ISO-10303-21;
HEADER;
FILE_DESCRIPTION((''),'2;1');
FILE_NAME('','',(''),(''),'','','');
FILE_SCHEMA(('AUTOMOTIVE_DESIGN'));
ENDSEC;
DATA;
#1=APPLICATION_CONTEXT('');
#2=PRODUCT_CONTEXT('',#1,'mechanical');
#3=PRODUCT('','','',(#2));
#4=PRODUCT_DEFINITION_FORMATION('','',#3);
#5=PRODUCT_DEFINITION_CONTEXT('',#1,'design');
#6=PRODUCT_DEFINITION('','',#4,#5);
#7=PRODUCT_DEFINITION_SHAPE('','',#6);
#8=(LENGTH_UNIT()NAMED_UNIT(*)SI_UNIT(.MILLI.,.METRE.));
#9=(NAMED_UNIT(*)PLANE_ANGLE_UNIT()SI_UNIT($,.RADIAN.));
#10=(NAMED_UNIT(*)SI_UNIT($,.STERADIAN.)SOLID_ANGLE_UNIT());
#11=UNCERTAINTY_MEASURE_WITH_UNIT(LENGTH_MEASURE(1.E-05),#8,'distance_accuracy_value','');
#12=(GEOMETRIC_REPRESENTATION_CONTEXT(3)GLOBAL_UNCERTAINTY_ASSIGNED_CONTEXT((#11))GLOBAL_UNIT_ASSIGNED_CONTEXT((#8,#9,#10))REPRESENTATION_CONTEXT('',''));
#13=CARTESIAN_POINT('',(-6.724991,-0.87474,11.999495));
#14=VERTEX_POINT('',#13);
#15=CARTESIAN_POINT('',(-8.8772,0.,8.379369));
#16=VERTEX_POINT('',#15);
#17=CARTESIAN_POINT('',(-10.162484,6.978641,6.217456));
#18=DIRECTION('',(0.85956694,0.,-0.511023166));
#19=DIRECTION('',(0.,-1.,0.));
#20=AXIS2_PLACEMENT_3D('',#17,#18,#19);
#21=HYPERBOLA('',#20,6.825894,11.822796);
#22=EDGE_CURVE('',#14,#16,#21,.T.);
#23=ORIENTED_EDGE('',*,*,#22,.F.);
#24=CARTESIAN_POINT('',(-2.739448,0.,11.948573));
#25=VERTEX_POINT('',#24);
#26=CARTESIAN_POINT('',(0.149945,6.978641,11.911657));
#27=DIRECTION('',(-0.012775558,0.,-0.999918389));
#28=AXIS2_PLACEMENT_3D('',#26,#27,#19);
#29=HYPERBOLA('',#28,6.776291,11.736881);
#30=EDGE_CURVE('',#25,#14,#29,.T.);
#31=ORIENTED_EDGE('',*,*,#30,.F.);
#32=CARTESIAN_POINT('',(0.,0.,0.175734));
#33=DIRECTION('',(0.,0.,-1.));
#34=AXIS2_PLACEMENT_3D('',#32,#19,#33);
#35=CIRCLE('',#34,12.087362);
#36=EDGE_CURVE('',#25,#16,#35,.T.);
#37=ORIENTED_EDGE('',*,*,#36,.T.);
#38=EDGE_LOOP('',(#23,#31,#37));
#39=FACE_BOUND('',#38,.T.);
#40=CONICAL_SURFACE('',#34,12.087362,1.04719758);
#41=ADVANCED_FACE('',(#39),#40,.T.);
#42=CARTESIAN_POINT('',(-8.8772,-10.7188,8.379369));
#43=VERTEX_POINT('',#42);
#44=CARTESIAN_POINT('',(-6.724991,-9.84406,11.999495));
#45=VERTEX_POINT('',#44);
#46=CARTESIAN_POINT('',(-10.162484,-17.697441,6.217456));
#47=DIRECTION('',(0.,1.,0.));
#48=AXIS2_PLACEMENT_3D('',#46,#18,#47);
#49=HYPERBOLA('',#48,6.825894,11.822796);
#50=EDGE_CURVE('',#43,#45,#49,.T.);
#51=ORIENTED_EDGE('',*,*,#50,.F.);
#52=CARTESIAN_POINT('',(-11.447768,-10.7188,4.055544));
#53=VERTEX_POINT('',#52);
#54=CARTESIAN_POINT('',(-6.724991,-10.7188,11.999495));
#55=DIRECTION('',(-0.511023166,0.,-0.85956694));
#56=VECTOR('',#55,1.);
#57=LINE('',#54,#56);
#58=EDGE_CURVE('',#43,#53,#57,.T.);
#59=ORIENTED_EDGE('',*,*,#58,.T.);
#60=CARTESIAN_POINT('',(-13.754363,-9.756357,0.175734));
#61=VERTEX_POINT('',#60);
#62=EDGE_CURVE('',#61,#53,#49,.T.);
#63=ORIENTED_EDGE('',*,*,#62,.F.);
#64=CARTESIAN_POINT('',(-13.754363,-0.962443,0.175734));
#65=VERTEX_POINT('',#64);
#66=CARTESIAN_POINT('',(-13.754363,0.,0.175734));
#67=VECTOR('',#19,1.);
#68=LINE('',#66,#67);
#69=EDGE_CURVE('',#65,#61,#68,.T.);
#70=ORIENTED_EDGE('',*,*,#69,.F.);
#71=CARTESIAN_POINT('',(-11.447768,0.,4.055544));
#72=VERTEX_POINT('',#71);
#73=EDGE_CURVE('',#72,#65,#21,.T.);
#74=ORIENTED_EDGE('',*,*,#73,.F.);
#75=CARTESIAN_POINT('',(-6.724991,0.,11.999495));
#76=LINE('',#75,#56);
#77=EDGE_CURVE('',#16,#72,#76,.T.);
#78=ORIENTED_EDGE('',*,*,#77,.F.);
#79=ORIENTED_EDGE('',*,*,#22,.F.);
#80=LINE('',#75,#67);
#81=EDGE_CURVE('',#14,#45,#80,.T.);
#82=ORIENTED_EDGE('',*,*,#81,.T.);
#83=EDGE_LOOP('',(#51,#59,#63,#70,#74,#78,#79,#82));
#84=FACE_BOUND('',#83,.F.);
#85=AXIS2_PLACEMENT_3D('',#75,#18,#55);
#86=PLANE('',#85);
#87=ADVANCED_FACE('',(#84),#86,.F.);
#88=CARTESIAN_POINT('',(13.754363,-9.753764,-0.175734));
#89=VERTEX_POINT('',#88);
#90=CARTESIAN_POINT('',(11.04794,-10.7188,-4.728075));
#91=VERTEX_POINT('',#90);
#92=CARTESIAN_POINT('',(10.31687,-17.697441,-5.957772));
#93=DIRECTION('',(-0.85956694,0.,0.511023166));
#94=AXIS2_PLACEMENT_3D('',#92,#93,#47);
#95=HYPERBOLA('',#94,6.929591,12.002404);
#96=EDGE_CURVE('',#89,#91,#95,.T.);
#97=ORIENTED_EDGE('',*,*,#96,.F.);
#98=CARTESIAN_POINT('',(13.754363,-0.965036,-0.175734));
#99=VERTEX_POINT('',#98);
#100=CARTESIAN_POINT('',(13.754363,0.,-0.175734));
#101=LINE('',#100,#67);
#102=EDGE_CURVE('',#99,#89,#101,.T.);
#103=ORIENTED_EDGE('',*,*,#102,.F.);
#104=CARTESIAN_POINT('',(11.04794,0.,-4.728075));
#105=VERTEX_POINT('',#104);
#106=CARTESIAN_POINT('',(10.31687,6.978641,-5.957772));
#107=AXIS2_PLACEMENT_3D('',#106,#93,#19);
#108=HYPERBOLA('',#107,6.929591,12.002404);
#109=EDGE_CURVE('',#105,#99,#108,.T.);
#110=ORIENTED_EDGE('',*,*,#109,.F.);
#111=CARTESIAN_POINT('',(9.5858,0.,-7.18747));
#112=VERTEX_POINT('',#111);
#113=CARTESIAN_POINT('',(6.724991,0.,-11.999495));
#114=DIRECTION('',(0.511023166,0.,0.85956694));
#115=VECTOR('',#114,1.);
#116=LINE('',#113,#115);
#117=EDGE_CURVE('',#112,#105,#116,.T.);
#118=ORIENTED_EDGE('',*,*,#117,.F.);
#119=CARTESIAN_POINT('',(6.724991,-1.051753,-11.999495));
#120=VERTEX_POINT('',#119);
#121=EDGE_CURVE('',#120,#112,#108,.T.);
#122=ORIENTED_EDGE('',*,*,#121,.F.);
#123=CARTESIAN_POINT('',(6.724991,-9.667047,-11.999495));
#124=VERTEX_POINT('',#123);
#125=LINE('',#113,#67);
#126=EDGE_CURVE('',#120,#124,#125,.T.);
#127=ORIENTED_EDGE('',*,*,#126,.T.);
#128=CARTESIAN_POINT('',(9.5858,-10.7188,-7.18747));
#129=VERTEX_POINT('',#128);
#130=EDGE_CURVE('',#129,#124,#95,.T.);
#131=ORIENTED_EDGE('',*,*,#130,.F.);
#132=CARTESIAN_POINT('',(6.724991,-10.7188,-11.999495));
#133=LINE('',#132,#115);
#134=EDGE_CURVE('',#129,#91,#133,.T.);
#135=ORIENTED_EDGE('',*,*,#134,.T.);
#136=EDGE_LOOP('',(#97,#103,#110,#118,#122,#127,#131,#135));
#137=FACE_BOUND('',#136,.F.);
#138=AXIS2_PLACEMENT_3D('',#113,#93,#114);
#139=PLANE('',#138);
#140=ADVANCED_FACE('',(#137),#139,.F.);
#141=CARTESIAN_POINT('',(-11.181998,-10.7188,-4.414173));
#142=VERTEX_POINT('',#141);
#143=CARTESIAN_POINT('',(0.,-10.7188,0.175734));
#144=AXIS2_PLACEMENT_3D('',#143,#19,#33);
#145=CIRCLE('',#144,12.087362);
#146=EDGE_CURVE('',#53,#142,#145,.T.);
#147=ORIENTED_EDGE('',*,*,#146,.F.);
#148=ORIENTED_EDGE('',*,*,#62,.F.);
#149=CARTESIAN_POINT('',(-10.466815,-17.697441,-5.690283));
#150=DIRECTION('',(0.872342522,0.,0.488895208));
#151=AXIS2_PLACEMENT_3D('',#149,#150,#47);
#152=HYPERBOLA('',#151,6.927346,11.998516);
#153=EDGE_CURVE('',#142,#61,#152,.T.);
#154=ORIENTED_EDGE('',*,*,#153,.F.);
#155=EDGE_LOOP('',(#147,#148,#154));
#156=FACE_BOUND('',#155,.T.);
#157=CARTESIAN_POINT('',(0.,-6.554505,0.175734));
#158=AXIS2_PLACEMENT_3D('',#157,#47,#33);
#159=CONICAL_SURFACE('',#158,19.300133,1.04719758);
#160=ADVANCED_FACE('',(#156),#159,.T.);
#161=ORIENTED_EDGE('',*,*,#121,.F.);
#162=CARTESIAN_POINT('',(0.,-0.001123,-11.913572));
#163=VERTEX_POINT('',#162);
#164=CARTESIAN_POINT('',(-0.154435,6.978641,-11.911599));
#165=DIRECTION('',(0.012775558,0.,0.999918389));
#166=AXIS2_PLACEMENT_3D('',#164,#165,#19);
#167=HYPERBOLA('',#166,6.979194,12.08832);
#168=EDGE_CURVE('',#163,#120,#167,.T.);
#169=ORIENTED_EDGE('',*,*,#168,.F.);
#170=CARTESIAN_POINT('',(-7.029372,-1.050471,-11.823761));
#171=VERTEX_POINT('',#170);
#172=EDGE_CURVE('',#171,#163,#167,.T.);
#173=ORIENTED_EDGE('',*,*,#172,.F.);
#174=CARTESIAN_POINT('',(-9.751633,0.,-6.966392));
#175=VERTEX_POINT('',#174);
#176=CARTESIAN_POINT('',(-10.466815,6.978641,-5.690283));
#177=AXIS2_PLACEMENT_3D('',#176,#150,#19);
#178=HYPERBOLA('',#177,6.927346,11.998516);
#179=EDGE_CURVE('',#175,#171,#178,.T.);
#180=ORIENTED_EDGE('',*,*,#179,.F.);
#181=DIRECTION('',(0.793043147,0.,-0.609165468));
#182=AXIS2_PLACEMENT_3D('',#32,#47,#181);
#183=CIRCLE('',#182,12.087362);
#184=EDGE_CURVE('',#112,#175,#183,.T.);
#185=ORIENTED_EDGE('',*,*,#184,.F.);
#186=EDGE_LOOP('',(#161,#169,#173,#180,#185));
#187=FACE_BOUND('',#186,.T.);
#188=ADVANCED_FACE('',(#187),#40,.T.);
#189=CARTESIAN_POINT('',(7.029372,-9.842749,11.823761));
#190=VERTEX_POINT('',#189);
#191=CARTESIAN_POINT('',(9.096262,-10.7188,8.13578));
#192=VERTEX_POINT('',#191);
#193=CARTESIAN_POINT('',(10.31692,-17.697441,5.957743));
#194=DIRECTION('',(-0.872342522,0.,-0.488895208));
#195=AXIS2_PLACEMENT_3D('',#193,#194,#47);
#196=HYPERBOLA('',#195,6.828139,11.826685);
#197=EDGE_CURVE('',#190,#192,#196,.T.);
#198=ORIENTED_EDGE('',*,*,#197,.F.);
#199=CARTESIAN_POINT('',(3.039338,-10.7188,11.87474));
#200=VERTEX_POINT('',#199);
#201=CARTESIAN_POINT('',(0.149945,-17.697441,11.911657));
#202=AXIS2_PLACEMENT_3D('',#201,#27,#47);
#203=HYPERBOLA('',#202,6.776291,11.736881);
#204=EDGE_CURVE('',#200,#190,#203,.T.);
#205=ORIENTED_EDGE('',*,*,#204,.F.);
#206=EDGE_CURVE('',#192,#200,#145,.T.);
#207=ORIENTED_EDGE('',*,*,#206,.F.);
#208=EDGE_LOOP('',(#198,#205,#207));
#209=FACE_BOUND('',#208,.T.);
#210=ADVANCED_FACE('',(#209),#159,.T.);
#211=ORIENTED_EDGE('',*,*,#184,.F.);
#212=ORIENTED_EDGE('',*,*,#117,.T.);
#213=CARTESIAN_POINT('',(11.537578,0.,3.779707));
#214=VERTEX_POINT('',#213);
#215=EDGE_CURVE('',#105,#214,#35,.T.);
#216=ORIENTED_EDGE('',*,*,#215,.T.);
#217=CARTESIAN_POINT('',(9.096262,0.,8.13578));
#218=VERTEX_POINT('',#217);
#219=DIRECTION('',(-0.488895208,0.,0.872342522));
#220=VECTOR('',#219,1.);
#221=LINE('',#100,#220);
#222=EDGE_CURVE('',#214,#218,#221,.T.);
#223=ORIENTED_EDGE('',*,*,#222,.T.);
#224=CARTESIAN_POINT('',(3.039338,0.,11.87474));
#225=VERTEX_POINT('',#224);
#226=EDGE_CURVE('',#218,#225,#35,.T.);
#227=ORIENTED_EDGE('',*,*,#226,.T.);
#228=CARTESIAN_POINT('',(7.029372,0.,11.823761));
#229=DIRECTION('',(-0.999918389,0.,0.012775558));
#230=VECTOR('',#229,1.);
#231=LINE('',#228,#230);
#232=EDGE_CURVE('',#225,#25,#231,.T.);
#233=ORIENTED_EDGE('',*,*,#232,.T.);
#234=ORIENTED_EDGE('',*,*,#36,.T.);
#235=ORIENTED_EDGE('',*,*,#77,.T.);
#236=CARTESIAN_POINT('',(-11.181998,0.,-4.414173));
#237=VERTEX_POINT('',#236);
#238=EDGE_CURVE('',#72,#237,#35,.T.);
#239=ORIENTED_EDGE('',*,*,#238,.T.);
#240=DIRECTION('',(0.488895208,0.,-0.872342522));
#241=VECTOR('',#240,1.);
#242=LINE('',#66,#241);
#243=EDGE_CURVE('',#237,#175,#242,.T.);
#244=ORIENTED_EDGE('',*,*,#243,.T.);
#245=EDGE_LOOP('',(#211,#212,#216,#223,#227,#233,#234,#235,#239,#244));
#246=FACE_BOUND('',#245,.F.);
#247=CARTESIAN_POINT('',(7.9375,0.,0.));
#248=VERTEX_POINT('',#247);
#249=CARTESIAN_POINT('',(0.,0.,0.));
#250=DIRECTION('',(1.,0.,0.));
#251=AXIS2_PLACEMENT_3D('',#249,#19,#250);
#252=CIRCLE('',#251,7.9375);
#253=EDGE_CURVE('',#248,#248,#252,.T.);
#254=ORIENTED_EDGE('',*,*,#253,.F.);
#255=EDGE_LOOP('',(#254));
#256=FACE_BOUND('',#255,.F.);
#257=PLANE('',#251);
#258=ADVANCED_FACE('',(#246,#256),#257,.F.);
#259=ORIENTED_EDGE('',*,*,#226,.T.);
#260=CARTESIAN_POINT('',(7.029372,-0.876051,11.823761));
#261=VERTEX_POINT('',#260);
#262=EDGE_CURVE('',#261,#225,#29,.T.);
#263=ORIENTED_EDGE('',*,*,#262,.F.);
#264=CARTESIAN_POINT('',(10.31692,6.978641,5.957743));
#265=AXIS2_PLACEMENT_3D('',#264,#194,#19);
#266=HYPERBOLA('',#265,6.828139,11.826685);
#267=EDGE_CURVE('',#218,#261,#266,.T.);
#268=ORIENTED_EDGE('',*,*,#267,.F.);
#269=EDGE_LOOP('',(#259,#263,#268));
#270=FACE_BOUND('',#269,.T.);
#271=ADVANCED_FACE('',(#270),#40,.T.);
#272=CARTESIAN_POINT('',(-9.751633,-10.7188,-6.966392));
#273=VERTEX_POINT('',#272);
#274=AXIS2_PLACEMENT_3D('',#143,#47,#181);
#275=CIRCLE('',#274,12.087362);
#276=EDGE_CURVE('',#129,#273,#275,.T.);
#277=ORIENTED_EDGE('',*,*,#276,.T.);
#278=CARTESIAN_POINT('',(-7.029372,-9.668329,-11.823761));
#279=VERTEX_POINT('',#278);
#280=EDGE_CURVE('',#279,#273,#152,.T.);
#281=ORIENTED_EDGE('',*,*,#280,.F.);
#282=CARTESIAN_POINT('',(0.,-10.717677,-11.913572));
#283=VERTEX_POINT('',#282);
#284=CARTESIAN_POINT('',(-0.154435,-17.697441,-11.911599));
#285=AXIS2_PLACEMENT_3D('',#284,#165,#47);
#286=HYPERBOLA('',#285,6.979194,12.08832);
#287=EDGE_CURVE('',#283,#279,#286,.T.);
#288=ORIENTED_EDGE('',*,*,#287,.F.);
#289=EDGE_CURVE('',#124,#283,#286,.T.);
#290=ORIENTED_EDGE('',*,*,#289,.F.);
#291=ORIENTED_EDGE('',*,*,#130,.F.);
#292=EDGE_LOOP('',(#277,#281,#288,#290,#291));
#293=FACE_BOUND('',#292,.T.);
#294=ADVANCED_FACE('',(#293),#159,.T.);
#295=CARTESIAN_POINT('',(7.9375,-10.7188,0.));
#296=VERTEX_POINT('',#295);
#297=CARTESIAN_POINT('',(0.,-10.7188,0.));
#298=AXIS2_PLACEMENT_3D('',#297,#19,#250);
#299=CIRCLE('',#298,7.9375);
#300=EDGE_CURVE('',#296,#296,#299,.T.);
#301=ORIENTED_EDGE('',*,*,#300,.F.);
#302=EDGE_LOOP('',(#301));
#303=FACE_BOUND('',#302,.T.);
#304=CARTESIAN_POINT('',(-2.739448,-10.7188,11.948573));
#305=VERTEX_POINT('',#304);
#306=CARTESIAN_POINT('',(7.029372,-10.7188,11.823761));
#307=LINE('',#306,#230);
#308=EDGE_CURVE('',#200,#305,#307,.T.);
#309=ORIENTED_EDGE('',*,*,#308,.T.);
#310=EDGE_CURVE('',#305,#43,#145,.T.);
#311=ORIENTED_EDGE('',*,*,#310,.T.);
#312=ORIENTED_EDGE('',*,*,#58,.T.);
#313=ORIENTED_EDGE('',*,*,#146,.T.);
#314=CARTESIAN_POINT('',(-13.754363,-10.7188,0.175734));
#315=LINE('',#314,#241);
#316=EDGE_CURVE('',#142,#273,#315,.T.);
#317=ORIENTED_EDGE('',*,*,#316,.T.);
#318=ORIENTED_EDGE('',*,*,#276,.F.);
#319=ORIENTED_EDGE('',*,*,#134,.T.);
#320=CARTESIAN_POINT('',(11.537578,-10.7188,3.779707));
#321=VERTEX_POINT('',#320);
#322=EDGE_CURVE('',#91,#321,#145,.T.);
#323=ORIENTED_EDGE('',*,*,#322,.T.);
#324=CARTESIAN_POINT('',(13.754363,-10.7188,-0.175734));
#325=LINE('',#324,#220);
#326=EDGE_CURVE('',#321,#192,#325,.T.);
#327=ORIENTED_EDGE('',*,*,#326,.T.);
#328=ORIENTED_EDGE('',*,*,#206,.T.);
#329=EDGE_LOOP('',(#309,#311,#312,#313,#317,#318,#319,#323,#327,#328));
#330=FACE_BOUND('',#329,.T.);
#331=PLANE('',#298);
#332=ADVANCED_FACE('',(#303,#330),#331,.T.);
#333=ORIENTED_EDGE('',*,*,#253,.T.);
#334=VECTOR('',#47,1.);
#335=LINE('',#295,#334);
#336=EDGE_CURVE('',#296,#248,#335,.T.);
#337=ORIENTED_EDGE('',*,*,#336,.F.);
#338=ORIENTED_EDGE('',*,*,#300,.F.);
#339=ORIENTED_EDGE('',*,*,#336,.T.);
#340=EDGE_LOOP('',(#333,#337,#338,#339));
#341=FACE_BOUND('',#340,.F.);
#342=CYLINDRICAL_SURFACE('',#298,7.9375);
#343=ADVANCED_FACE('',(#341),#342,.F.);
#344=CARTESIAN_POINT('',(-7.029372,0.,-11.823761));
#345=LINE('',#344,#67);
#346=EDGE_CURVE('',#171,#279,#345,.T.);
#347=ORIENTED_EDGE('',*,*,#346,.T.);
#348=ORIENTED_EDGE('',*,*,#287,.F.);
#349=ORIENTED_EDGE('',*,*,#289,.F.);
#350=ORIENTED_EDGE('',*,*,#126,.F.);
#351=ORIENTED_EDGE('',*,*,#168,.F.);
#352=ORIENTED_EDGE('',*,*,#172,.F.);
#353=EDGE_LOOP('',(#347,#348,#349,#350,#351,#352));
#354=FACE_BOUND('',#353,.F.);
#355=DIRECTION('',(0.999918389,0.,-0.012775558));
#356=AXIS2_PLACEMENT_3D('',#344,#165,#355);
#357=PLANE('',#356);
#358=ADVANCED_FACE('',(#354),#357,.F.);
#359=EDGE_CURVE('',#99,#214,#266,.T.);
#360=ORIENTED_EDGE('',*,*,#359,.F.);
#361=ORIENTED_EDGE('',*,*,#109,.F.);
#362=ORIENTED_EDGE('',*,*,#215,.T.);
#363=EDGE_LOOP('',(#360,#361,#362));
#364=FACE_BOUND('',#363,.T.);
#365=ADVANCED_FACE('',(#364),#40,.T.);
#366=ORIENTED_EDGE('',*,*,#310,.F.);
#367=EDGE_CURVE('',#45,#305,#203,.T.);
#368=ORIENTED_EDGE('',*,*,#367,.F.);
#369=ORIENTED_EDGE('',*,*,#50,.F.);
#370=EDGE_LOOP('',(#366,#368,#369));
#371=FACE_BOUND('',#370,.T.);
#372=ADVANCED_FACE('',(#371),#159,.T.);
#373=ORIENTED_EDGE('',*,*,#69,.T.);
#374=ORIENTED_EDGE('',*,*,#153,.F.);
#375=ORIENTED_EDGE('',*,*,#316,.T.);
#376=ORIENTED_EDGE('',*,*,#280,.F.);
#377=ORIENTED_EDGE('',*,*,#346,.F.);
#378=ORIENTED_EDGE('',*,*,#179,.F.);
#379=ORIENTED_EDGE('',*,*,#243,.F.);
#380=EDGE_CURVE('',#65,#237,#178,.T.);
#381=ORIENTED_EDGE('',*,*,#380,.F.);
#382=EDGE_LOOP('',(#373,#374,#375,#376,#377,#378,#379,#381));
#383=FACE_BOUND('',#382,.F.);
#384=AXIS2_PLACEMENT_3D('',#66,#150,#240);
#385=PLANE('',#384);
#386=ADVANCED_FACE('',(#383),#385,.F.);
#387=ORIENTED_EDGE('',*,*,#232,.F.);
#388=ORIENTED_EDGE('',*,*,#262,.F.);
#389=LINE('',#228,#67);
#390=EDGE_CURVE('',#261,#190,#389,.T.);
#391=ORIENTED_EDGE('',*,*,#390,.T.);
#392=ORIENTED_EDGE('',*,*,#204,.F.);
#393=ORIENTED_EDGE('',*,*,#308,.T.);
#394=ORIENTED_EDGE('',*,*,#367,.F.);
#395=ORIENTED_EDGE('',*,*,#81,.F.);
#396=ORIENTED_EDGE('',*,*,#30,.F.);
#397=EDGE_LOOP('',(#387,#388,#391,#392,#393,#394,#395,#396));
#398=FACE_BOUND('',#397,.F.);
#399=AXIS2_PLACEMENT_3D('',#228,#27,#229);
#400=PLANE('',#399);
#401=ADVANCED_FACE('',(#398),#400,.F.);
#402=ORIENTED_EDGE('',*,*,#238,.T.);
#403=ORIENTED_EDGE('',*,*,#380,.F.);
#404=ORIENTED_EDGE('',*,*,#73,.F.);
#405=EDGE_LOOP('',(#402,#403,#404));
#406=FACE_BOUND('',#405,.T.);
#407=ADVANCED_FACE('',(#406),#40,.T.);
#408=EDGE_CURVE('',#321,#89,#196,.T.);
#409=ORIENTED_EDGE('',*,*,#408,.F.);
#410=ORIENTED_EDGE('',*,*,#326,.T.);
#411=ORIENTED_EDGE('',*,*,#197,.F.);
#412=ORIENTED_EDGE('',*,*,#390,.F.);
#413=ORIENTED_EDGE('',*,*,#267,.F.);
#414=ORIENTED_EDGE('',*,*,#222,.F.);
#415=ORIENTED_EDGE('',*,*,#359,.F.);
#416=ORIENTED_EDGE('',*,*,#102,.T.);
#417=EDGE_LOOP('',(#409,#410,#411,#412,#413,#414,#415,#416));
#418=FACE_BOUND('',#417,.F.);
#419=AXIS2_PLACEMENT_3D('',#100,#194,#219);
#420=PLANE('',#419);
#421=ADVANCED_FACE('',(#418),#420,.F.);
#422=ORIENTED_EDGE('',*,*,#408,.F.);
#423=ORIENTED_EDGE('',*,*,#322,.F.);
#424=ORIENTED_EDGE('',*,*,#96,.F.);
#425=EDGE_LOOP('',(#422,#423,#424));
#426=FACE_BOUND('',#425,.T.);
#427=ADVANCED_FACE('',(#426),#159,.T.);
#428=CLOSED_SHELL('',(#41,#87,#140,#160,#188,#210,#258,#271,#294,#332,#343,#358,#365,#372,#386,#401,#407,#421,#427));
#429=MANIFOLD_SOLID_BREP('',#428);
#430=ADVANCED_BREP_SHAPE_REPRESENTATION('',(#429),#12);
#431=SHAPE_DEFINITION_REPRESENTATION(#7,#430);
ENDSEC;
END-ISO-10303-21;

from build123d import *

# Parameters (mm, degrees)
F1_DEPTH = 10.7188
F2_R     = 7.9375
F3_DEPTH = 10.7198


with BuildPart() as f1:
    # F0 (on Front) → F1 (new body)
    with BuildSketch(Plane.XZ):
        Polygon((-13.754363, 0.175734), (-7.029372, -11.823761), (6.724991, -11.999495), (13.754363, -0.175734), (7.029372, 11.823761), (-6.724991, 11.999495), align=None)
    extrude(amount=F1_DEPTH)

    # F2 (on face) → F3 (cut, through all)
    with BuildSketch(Plane.XZ.offset(10.7188)):
        Circle(F2_R)
    extrude(amount=-F3_DEPTH, mode=Mode.SUBTRACT)

    # F4 (on Right) → F5 (revolve, cut)
    with BuildSketch(Plane.YZ):
        Polygon((-6.554505, -19.124399), (-10.7188, -11.911628), (-10.7188, -19.124399), align=None)
        Polygon((0, -11.911628), (-4.164295, -19.124399), (0, -19.124399), align=None)
    revolve(axis=Axis((0, -5.3594, 0.175734), (0, -1, 0)), mode=Mode.SUBTRACT)


solid = f1.part
